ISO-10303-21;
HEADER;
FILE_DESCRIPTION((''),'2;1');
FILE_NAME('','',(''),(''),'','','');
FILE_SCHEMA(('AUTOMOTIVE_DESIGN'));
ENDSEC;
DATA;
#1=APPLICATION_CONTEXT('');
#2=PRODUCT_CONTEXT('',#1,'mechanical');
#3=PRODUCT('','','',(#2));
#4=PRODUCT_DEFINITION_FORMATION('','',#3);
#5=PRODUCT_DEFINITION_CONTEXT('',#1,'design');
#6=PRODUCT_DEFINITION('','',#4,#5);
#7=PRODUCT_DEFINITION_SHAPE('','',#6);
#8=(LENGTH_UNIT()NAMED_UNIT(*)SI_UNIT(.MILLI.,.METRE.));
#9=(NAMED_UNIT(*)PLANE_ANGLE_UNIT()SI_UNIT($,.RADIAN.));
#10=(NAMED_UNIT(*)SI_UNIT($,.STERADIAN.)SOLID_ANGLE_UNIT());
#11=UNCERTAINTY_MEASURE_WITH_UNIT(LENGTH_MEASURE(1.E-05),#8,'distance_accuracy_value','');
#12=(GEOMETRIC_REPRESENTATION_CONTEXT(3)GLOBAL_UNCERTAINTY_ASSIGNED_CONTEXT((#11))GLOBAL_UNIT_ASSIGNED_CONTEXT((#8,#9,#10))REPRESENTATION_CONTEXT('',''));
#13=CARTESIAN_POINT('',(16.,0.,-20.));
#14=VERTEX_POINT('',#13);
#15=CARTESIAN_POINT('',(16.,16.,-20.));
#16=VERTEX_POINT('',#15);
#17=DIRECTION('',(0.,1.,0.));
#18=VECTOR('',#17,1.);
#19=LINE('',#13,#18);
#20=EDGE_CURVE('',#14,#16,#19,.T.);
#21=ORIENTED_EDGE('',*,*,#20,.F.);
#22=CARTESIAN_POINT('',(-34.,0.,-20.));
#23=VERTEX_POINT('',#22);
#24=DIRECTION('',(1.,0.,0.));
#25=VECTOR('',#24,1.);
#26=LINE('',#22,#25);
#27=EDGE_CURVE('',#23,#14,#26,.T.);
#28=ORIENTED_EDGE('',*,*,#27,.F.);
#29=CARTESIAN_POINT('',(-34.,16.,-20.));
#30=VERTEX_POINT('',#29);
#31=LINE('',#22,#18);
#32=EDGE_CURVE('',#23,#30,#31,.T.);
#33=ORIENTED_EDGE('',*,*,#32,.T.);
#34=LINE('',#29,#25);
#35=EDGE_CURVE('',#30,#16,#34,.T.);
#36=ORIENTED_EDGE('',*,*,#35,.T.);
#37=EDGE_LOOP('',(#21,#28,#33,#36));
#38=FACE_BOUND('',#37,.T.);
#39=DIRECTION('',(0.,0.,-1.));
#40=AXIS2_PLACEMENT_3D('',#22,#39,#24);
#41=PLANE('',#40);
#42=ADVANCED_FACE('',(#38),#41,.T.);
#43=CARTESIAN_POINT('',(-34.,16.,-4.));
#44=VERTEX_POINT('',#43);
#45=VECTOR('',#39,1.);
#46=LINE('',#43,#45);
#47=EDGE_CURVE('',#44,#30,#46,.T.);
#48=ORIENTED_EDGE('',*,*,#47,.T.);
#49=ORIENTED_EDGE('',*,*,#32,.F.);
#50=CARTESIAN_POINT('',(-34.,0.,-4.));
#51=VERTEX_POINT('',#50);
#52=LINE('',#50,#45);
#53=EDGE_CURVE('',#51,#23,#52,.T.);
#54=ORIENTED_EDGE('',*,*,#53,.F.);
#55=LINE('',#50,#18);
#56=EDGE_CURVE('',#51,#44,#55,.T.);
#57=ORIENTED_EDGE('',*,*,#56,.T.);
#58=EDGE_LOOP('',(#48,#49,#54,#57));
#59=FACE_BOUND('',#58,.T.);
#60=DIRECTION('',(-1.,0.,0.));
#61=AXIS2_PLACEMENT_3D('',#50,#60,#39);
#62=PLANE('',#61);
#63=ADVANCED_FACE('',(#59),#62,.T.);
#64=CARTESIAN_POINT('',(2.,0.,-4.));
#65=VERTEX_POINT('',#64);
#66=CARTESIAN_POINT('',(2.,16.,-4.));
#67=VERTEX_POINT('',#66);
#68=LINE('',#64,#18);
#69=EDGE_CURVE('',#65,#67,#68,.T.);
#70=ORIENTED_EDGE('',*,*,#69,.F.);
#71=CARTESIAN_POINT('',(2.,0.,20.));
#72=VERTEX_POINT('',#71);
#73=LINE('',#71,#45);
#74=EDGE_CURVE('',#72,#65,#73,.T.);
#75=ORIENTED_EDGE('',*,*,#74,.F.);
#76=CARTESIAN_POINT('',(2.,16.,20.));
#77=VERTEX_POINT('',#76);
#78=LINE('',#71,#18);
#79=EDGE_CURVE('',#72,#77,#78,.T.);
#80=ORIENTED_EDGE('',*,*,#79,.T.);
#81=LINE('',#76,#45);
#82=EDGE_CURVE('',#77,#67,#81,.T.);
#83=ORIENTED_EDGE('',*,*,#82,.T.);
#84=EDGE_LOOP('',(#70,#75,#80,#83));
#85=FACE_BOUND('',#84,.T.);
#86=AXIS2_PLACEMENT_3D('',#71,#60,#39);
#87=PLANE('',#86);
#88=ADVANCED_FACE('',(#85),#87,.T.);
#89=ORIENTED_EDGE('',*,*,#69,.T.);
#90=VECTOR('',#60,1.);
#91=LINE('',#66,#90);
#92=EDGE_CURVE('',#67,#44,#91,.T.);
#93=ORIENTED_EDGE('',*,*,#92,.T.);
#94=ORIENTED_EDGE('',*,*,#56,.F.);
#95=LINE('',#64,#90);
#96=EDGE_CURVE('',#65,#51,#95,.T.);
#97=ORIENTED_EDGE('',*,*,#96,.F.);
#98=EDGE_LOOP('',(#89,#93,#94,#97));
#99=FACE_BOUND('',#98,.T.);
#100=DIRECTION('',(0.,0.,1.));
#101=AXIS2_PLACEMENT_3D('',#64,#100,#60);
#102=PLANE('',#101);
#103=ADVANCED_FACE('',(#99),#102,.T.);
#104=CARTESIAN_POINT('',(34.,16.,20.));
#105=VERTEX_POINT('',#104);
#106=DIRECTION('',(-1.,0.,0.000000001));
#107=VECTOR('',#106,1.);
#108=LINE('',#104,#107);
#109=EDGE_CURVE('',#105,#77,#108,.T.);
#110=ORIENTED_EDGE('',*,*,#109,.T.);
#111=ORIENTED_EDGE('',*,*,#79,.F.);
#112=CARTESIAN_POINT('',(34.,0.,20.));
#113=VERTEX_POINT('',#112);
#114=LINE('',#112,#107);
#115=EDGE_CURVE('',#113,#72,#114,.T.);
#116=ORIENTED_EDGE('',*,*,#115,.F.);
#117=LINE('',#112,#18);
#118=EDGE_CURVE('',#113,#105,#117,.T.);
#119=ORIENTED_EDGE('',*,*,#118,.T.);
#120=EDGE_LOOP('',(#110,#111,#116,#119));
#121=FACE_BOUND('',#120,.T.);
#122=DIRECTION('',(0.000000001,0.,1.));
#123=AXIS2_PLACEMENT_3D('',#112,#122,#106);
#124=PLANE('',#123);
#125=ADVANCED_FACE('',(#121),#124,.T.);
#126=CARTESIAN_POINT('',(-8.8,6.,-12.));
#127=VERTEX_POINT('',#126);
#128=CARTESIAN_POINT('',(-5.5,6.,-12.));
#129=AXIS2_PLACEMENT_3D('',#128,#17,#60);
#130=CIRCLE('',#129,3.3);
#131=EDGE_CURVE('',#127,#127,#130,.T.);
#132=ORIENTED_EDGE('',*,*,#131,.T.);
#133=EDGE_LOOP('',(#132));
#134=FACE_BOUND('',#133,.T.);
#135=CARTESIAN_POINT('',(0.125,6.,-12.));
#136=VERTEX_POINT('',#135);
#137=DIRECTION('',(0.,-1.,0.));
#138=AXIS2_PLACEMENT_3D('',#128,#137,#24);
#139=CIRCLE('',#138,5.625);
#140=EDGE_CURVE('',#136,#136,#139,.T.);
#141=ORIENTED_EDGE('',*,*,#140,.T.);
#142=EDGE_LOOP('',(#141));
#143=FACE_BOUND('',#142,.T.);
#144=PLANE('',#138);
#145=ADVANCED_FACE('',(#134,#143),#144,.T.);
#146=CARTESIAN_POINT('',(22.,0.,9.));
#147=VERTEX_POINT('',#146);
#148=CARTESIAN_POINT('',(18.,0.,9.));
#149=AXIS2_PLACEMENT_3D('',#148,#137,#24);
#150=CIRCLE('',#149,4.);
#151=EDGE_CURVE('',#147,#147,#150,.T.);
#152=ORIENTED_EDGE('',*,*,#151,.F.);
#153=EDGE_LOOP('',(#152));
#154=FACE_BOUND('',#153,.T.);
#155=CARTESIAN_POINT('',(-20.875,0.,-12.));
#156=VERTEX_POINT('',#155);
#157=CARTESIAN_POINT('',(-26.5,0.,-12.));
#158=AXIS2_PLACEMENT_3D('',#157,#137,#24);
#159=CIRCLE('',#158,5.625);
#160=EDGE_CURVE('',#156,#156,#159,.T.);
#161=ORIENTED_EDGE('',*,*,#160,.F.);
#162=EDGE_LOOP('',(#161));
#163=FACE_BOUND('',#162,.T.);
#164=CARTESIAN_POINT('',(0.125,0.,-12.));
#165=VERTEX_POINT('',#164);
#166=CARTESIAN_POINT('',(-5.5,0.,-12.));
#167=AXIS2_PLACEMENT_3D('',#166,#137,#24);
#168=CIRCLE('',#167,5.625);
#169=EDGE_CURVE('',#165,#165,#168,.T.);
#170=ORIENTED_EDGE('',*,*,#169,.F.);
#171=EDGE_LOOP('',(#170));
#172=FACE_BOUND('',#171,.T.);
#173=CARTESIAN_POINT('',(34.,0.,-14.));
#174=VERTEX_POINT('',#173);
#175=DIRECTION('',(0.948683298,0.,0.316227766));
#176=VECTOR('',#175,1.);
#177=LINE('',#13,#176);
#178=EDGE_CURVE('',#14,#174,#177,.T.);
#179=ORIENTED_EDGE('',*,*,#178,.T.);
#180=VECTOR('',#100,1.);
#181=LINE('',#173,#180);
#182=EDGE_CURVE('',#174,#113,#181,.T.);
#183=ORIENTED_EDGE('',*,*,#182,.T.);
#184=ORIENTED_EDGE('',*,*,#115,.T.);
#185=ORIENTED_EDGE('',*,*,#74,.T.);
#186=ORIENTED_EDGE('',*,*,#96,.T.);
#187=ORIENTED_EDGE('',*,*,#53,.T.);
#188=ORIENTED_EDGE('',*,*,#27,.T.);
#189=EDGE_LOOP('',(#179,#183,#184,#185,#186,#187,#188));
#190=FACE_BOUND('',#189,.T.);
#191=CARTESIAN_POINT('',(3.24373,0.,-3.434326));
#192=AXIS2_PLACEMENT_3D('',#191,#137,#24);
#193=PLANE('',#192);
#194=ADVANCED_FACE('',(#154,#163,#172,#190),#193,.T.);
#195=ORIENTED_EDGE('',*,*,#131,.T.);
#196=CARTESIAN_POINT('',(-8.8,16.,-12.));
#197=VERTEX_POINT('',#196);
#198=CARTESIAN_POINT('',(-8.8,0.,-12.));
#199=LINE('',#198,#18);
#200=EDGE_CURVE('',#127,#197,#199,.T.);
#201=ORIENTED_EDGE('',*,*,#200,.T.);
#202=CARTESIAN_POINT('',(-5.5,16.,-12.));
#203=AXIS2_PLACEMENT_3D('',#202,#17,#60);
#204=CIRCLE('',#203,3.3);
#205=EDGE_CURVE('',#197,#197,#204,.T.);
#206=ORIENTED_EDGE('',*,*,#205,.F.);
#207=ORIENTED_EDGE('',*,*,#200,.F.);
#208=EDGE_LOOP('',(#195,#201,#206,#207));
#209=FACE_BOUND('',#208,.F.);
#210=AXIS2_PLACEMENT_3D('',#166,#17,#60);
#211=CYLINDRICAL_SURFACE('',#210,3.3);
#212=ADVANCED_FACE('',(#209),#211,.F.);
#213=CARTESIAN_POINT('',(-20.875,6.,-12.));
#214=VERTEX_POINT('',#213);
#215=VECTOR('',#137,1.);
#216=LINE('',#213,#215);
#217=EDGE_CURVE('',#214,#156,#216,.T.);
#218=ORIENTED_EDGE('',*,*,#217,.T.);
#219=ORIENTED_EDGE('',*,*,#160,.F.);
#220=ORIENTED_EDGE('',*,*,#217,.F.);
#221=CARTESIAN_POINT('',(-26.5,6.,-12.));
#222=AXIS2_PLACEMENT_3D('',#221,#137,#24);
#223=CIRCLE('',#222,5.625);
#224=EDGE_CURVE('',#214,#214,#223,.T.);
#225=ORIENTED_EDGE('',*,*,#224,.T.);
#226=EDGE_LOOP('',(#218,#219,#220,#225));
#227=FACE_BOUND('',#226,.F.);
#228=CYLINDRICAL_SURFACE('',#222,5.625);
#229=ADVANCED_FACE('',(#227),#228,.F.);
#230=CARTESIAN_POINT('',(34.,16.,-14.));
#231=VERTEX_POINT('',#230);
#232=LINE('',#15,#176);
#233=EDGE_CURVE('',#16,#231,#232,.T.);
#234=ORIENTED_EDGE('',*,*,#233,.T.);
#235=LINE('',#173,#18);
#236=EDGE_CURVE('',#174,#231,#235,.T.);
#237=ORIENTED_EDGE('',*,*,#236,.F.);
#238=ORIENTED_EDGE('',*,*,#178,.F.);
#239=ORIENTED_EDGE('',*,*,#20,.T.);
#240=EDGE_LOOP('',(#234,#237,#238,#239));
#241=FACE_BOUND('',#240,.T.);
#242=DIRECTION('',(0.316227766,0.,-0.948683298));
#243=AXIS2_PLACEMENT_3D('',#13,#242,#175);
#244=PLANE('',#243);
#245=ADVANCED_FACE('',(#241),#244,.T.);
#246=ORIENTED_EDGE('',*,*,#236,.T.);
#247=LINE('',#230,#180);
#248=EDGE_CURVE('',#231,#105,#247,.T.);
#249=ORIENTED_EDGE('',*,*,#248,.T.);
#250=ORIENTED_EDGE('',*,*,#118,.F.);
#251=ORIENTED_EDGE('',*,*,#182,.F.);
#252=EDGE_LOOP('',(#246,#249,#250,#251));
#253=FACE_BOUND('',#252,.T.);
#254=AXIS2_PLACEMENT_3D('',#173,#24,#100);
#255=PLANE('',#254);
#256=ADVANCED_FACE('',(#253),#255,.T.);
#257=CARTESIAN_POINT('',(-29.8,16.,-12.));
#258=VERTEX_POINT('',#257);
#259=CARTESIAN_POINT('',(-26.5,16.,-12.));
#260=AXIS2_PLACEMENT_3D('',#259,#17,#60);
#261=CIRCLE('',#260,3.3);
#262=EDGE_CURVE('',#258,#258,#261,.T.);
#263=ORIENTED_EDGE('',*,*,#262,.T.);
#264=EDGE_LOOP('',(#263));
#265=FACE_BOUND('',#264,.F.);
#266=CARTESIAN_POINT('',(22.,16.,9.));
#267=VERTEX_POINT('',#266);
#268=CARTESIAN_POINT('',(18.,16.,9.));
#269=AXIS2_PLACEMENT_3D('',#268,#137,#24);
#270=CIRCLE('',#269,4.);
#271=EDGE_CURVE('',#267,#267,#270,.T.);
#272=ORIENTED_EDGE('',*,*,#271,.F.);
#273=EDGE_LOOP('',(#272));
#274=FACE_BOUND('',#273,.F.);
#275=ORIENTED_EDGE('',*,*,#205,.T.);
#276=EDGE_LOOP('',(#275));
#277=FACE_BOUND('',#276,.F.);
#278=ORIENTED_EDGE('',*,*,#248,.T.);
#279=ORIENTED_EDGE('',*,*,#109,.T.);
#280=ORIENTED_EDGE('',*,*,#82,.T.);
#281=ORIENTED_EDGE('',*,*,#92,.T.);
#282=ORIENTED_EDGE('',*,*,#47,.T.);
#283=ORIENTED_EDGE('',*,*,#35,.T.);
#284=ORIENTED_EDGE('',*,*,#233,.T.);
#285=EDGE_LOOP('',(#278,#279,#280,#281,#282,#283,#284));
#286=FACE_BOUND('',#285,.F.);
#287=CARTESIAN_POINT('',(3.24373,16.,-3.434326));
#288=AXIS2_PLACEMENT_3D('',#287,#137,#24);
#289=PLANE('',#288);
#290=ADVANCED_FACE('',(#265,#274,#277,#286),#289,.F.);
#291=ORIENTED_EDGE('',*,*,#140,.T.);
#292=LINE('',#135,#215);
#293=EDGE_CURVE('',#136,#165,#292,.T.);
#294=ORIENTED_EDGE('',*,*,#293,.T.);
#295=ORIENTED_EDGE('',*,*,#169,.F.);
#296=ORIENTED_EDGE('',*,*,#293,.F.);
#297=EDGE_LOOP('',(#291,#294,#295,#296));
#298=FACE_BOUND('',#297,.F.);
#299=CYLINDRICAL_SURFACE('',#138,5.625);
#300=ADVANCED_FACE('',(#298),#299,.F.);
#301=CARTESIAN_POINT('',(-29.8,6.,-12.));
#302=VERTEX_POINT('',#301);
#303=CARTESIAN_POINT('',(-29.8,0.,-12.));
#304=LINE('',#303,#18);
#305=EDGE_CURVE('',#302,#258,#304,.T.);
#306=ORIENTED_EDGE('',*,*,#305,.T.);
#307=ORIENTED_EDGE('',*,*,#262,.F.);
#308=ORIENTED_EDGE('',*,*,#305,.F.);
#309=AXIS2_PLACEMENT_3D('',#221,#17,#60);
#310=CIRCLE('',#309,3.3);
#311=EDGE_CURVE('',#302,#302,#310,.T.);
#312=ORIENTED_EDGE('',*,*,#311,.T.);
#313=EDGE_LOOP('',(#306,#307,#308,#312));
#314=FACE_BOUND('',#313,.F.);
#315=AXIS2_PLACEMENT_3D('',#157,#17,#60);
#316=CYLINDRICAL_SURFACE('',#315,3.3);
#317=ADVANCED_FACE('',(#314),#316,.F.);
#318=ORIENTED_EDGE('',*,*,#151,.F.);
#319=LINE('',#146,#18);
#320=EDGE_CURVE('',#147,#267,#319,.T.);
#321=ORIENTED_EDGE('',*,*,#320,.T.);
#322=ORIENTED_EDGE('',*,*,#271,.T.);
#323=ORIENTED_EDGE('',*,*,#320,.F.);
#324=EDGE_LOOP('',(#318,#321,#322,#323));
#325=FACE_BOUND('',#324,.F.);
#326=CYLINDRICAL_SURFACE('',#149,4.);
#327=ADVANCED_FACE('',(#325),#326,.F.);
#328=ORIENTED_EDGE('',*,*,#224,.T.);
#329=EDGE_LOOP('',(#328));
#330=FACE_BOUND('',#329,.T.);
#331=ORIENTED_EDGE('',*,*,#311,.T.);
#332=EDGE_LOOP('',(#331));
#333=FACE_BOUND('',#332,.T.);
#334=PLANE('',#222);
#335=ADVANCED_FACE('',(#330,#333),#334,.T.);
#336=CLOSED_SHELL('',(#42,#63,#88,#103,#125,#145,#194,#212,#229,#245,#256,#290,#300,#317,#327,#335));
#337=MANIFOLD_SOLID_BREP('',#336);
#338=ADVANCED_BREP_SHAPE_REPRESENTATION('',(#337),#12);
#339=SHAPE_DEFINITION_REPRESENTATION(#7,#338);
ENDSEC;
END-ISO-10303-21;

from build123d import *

# Parameters (mm, degrees)
F0_R           = 4
F1_DEPTH       = 16
F2_D           = 6.6
F2_CBORE_D     = 11.25
F2_CBORE_DEPTH = 6


with BuildPart() as f1:
    # F0 (on Front) → F1 (new body)
    with BuildSketch(Plane.XZ):
        Polygon((34, -14), (34, 20), (2, 20.000000016), (2, -4), (-34, -4), (-34, -20), (16, -20), align=None)
        with Locations((18, 9)):
            Circle(F0_R, mode=Mode.SUBTRACT)
    extrude(amount=-F1_DEPTH)

    # F2 (through all)
    with Locations(Plane.XZ):
        with Locations((-26.5, -12), (-5.5, -12)):
            CounterBoreHole(F2_D / 2, F2_CBORE_D / 2, F2_CBORE_DEPTH)


solid = f1.part
